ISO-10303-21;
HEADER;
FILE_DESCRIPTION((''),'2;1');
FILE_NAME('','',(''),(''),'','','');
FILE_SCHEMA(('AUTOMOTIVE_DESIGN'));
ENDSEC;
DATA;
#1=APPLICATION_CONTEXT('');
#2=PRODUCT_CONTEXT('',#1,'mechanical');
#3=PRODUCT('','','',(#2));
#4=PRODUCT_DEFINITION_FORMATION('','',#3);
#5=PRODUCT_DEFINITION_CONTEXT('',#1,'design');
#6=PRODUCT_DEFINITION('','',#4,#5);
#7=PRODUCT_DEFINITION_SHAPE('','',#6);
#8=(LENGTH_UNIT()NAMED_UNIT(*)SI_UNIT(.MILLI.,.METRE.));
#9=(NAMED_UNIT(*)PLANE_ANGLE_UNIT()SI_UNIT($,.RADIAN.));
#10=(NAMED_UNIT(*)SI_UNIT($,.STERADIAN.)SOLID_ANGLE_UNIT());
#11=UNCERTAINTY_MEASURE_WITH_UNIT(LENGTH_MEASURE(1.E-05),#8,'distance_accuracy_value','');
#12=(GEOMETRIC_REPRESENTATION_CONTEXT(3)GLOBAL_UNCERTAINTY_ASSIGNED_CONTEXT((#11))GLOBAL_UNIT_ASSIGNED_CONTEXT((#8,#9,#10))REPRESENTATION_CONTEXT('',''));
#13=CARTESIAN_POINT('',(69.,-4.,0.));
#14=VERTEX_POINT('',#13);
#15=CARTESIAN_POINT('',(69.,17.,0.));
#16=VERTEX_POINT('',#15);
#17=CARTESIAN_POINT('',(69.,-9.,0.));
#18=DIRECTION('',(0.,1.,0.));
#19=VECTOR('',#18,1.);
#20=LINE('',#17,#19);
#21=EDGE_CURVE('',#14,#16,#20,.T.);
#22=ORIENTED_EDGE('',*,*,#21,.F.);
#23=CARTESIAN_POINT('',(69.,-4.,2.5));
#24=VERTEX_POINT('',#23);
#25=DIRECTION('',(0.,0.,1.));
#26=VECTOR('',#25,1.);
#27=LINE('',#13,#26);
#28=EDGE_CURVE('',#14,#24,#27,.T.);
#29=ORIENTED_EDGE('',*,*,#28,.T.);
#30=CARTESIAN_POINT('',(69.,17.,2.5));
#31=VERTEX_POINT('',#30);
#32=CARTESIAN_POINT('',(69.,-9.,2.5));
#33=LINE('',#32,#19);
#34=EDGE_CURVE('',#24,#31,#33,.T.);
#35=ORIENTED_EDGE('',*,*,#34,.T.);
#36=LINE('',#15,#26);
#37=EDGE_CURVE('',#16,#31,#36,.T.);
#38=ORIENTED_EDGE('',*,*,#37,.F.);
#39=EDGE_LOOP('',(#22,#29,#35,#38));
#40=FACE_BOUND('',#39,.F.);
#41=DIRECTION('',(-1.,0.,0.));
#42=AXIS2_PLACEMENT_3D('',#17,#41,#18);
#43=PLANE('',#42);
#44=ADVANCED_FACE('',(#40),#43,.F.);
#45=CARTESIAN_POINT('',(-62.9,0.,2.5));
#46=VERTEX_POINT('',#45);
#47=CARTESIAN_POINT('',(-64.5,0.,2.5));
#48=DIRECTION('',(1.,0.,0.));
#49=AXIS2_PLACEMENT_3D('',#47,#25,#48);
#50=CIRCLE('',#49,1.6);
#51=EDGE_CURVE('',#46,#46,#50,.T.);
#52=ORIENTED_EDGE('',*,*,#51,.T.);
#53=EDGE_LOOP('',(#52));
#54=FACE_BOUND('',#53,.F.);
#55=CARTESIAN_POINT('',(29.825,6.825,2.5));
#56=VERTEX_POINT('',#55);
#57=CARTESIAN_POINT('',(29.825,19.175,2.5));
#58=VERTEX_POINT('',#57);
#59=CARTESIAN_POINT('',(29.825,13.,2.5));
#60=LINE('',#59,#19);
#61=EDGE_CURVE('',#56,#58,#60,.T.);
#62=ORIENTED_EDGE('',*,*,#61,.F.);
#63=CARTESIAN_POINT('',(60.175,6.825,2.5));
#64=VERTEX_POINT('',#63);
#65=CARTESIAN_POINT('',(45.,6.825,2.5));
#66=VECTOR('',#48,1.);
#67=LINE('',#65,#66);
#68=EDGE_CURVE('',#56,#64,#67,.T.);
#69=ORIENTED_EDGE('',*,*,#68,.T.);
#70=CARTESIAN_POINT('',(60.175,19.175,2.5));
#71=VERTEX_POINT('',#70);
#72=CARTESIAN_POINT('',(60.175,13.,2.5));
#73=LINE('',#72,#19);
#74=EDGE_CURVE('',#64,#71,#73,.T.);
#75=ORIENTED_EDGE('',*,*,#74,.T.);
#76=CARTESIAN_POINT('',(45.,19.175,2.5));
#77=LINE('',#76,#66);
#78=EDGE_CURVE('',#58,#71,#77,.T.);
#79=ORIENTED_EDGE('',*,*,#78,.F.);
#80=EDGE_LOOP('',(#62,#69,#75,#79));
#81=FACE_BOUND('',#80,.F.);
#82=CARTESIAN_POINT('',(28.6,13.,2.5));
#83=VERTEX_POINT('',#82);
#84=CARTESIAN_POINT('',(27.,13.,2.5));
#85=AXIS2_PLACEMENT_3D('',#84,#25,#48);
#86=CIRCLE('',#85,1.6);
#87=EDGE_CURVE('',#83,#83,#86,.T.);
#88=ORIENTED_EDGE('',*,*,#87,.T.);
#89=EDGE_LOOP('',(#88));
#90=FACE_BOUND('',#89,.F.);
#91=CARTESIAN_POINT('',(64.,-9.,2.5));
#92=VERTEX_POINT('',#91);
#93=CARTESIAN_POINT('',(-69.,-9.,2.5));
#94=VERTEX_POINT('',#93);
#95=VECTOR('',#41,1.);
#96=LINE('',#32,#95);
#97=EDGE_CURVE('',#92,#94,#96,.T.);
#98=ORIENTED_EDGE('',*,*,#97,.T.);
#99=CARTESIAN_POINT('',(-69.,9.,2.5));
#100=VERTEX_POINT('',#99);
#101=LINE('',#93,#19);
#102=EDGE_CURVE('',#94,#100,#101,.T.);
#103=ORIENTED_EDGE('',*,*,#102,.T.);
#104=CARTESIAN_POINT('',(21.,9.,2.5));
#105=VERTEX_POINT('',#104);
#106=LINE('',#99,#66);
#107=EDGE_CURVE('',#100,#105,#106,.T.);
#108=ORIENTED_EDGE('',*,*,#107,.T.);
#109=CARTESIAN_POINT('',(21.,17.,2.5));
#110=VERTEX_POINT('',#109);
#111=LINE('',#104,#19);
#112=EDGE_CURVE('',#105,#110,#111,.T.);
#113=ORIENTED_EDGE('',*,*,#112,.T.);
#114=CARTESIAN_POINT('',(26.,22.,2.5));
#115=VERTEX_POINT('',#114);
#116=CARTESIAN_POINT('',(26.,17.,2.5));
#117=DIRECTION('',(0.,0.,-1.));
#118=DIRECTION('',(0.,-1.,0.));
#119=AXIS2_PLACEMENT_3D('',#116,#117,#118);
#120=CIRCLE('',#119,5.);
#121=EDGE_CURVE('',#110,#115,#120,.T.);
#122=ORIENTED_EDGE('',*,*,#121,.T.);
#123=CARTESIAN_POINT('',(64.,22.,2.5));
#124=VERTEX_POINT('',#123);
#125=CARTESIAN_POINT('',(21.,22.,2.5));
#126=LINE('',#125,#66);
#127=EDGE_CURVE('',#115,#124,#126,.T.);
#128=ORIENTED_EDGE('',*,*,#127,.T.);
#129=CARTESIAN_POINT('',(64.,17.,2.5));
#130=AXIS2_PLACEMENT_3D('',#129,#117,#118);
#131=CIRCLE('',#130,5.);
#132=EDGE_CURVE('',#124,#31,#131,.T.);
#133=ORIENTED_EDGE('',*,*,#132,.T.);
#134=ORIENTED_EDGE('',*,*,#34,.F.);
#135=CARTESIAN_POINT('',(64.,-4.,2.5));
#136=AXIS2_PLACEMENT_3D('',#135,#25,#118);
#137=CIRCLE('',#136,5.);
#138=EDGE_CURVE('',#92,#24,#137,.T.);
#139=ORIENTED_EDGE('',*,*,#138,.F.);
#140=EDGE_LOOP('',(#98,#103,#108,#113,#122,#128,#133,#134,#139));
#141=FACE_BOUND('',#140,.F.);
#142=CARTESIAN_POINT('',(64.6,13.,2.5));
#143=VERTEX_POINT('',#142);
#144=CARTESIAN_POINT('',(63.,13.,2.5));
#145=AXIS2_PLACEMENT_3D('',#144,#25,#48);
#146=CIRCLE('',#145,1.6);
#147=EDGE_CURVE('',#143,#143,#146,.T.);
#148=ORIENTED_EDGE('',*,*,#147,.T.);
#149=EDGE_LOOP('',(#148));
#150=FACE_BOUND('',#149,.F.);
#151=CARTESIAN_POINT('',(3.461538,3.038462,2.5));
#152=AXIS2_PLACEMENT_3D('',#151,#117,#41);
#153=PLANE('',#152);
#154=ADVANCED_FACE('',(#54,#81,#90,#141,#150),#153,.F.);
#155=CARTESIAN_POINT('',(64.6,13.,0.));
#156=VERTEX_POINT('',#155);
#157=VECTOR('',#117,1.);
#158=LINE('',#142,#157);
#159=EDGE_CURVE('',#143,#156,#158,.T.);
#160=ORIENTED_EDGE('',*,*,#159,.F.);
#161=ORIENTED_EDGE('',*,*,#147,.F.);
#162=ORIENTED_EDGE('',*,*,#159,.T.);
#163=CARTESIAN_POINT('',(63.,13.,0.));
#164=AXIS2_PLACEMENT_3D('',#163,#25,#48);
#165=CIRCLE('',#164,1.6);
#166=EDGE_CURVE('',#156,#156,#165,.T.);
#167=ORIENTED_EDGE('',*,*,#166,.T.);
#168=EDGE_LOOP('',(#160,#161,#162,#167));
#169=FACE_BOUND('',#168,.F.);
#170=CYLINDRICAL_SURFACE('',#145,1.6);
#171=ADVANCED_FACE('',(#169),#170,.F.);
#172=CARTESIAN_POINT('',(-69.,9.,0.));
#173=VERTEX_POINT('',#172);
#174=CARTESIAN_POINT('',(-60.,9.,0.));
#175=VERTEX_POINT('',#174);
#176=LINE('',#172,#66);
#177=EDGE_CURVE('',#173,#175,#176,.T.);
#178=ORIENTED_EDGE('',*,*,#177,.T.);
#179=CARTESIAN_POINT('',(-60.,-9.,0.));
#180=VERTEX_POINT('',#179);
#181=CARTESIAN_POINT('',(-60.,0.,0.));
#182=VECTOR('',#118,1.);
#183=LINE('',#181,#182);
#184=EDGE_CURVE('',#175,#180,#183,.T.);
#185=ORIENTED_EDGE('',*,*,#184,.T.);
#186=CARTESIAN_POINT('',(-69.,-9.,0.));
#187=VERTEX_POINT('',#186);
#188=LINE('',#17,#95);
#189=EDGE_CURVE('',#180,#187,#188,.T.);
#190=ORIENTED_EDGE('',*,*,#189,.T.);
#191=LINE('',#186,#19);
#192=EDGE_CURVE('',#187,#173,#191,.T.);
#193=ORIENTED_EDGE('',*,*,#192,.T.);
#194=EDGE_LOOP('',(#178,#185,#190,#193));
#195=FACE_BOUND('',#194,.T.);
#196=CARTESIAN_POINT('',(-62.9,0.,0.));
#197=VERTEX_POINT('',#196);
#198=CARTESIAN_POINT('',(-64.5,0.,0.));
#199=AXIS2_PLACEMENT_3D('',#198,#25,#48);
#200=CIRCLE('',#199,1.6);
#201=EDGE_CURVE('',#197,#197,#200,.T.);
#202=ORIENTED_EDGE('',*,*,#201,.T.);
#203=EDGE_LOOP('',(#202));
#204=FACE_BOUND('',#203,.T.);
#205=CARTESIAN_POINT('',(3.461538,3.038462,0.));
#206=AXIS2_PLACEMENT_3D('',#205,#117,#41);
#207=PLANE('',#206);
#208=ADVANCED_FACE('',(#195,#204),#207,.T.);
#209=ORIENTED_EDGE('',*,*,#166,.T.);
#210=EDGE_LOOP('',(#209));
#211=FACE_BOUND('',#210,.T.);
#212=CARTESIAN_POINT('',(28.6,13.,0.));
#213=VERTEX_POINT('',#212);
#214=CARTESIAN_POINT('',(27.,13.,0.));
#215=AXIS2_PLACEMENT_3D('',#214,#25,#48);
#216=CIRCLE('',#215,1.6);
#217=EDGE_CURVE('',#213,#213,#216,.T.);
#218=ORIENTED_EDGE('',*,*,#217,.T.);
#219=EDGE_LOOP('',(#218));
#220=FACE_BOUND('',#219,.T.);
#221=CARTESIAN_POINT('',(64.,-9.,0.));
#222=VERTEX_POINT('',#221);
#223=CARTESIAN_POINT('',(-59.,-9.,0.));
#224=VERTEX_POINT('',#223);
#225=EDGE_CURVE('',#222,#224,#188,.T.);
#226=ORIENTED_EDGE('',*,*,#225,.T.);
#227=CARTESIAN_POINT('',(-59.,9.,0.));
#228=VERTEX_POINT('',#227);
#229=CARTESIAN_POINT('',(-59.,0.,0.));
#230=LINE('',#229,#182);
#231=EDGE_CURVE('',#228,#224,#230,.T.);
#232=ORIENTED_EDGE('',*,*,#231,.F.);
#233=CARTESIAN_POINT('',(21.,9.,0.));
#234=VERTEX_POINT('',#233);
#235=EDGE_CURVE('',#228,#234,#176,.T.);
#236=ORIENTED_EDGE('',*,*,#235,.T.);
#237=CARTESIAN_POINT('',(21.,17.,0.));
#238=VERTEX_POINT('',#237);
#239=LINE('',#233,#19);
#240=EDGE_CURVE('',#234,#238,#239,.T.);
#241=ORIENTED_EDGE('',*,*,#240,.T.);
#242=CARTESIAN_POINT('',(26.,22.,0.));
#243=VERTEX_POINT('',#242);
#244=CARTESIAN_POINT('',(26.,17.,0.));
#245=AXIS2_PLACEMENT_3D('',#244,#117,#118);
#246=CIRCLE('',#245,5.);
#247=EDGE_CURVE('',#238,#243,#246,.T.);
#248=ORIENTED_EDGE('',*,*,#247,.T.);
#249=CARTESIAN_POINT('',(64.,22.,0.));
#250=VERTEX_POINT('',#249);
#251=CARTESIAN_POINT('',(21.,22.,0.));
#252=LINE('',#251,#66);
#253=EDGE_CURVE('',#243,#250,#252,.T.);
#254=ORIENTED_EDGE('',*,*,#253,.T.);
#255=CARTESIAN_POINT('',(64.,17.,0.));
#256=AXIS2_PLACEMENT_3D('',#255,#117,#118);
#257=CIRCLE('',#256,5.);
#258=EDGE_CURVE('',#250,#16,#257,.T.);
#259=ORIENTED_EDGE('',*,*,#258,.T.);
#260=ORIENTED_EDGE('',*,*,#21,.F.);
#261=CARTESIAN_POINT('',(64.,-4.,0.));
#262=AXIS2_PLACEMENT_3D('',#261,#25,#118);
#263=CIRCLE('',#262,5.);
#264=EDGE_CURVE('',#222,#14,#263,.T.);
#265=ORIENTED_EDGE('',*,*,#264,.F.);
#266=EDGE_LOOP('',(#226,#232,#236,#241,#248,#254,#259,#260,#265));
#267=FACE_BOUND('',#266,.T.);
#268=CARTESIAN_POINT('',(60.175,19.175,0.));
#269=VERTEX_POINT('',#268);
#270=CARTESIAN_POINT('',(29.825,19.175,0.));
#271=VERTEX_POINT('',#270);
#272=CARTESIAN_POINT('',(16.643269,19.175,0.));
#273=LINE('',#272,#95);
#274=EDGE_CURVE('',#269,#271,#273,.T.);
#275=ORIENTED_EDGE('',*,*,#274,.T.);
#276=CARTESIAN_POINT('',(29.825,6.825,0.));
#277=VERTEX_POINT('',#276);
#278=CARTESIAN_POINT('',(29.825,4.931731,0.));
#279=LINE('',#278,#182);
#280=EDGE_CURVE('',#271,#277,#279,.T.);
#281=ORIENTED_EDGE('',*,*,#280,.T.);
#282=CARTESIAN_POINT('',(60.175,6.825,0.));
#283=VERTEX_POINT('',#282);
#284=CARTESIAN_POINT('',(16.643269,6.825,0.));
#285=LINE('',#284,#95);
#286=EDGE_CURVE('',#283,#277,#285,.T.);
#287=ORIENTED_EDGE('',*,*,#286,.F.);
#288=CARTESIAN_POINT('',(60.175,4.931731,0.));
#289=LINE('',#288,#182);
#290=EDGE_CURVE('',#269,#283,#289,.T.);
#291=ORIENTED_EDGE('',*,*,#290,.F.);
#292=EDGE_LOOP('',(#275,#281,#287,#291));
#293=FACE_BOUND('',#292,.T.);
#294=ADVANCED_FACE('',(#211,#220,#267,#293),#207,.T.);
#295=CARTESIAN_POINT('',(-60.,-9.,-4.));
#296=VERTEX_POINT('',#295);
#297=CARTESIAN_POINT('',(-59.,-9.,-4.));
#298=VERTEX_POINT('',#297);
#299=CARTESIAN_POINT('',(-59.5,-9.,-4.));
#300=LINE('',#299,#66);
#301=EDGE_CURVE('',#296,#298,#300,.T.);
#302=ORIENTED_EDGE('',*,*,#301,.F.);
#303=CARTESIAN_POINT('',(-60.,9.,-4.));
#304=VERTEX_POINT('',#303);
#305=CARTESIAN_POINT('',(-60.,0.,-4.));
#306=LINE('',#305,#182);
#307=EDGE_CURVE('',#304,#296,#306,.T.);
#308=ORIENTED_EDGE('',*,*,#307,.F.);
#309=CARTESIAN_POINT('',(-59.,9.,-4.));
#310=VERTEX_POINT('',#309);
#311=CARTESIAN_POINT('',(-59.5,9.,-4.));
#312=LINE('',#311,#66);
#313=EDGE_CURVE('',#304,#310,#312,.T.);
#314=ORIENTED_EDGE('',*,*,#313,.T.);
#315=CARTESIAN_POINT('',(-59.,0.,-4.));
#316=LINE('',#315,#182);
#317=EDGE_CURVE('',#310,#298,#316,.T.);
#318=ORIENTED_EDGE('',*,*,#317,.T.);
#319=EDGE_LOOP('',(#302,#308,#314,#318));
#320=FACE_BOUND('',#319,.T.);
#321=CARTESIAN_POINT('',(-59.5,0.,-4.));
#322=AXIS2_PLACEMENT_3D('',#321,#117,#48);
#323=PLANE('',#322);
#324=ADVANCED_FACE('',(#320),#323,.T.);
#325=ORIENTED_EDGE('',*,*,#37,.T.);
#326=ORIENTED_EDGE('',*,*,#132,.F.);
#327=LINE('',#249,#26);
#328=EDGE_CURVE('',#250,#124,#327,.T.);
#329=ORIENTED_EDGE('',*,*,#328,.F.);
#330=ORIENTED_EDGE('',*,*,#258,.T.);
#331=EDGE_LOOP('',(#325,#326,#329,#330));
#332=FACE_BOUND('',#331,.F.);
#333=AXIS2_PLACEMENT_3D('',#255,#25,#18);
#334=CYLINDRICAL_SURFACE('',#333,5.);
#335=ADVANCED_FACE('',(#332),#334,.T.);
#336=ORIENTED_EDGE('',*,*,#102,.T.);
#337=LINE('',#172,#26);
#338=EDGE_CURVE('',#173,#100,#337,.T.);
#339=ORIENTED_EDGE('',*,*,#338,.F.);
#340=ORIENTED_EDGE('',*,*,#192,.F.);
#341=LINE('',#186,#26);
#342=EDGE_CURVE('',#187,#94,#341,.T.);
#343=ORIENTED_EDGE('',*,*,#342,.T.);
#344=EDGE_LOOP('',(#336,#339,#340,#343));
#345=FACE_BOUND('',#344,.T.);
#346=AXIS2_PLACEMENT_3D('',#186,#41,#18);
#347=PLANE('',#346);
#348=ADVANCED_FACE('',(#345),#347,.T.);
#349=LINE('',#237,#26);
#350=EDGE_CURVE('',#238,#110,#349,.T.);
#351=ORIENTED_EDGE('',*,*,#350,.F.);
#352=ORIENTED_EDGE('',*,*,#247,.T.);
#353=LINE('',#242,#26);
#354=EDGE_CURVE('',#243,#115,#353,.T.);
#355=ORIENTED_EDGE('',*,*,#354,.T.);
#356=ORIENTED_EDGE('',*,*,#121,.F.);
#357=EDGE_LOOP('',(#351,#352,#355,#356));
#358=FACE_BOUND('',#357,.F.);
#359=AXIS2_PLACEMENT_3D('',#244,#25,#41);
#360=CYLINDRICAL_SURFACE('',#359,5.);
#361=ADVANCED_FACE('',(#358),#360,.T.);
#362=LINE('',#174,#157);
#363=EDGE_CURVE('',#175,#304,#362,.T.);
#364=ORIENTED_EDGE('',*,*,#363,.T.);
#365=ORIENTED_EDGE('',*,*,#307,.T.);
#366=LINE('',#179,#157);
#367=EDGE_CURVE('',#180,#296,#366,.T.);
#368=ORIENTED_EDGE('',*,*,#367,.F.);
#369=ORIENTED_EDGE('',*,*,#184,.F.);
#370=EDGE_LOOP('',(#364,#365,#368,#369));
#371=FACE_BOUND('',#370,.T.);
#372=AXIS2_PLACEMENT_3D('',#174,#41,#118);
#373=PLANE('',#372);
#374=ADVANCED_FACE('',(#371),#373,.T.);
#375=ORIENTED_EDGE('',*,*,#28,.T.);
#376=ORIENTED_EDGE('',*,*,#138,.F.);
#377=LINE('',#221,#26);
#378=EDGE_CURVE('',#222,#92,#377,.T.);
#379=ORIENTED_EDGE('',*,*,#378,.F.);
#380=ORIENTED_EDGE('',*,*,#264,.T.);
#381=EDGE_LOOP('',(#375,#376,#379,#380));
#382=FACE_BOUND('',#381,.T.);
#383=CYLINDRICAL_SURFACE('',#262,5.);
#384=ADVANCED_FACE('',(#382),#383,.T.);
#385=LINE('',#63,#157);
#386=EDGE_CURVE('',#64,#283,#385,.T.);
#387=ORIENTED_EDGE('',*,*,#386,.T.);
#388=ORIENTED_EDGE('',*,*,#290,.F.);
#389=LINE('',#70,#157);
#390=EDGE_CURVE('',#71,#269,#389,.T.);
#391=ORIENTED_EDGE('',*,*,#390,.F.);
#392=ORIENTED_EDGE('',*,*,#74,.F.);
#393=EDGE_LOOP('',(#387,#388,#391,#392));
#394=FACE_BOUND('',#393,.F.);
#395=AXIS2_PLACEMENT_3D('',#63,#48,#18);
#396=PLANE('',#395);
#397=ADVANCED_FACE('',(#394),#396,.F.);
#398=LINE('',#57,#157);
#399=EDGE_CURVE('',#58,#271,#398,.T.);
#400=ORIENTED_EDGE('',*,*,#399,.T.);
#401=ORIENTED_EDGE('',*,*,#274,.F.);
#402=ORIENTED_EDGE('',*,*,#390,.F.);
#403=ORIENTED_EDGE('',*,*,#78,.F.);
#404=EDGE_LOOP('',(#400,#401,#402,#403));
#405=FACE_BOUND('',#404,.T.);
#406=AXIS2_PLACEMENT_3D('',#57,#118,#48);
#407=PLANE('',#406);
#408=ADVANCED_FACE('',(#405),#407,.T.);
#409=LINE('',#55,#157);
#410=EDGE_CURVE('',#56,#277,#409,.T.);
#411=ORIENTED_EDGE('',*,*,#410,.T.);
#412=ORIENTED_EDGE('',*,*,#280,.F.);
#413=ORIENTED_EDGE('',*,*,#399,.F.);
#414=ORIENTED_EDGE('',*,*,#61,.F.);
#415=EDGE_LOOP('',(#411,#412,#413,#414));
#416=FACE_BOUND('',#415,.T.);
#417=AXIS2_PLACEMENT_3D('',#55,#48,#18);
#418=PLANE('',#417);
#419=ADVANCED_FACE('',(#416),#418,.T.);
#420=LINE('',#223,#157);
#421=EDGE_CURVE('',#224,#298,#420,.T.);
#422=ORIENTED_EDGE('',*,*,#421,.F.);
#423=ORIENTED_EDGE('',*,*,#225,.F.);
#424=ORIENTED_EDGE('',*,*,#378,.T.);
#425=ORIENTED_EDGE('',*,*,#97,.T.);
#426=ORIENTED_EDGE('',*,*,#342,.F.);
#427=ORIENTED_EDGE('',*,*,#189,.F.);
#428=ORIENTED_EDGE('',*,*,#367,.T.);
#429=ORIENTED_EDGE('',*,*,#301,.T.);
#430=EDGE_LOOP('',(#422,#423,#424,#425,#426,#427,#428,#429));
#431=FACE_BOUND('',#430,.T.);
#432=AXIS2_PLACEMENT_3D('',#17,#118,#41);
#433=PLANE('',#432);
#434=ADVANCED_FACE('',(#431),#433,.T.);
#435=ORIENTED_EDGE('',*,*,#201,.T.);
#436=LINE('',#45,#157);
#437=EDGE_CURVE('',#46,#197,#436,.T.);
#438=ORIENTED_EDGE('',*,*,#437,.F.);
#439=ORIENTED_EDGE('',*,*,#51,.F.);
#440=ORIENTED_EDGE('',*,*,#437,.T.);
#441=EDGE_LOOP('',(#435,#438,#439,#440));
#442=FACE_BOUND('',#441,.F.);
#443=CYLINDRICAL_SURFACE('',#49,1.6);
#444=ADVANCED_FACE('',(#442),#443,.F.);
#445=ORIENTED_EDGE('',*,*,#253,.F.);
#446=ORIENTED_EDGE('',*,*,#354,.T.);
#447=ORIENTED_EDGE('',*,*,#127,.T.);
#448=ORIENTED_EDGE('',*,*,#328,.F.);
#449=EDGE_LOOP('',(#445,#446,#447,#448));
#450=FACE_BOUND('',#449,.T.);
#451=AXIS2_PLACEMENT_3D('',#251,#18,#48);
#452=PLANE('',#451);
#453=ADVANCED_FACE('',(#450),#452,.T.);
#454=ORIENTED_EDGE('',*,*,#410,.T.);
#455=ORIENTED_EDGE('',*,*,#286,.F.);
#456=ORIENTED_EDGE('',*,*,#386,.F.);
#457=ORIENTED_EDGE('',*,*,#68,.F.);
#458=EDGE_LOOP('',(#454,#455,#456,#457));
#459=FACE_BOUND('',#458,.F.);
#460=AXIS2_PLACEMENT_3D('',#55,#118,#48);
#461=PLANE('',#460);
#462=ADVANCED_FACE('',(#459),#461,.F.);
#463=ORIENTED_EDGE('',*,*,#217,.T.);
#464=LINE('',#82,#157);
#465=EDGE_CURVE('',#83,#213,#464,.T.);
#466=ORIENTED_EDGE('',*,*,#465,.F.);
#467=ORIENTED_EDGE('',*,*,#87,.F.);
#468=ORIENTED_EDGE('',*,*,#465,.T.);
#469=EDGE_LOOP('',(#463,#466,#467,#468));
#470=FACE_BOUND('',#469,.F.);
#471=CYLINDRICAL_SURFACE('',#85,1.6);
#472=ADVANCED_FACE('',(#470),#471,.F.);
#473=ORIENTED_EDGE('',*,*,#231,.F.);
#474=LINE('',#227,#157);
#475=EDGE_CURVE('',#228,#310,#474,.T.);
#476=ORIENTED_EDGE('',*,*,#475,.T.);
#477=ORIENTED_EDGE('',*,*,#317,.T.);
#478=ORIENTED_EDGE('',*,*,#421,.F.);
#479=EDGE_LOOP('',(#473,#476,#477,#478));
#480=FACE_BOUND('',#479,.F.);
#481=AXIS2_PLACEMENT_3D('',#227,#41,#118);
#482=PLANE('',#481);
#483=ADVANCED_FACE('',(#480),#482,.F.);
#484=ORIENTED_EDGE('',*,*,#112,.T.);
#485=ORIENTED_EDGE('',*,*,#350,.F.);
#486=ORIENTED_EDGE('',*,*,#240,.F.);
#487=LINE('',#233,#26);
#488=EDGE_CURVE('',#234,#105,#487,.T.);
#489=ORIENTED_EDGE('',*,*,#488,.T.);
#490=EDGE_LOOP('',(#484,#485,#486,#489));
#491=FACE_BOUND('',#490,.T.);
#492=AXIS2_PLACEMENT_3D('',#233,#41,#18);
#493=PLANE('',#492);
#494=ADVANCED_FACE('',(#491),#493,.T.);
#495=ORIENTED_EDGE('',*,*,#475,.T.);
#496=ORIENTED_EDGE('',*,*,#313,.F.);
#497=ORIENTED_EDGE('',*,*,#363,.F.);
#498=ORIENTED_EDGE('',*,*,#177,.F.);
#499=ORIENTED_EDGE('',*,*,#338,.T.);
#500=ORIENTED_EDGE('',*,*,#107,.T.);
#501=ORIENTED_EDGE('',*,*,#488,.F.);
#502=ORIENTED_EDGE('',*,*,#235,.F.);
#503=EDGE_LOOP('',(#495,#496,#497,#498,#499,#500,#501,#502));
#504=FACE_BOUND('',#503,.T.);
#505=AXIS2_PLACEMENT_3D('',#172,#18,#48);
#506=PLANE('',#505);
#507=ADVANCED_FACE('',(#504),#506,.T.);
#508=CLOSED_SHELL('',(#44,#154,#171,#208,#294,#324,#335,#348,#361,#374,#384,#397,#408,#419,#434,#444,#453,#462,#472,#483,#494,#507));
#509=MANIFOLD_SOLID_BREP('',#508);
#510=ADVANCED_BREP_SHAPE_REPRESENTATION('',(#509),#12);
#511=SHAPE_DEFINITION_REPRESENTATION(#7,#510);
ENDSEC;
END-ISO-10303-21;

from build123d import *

# Parameters (mm, degrees)
PAD_DEPTH    = 2.5
SKETCH001_R  = 1.6
SKETCH001_W  = 30.35
SKETCH001_H  = 12.35
POCKET_DEPTH = 5
SKETCH002_W  = 1
SKETCH002_H  = 18
PAD001_DEPTH = 4
FILLET_R     = 5


with BuildPart() as part:
    # Sketch → Pad (new body)
    with BuildSketch(Plane.XY):
        Polygon((-69, 9), (21, 9), (21, 22), (69, 22), (69, 10.0438), (69, -9), (-69, -9), align=None)
    extrude(amount=PAD_DEPTH)

    # Sketch001 → Pocket (cut)
    with BuildSketch(Plane.XY.offset(2.5)):
        with Locations((-64.5, 0)):
            Circle(SKETCH001_R)
        with Locations((27, 13)):
            Circle(SKETCH001_R)
        with Locations((63, 13)):
            Circle(SKETCH001_R)
        with Locations((45, 13)):
            Rectangle(SKETCH001_W, SKETCH001_H)
    extrude(amount=-POCKET_DEPTH, mode=Mode.SUBTRACT)

    # Sketch002 → Pad001 (new body)
    with BuildSketch(Plane(origin=(0, 0, 0), x_dir=(1, 0, 0), z_dir=(0, 0, -1))):
        with Locations((-59.5, 0)):
            Rectangle(SKETCH002_W, SKETCH002_H)
    extrude(amount=PAD001_DEPTH)

    # Fillet
    fillet_edges = [part.edges().sort_by_distance(p)[0] for p in [
        (69, 22, 1.25),
        (21, 22, 1.25),
        (69, -9, 1.25),
    ]]
    fillet(fillet_edges, radius=FILLET_R)


solid = part.part
